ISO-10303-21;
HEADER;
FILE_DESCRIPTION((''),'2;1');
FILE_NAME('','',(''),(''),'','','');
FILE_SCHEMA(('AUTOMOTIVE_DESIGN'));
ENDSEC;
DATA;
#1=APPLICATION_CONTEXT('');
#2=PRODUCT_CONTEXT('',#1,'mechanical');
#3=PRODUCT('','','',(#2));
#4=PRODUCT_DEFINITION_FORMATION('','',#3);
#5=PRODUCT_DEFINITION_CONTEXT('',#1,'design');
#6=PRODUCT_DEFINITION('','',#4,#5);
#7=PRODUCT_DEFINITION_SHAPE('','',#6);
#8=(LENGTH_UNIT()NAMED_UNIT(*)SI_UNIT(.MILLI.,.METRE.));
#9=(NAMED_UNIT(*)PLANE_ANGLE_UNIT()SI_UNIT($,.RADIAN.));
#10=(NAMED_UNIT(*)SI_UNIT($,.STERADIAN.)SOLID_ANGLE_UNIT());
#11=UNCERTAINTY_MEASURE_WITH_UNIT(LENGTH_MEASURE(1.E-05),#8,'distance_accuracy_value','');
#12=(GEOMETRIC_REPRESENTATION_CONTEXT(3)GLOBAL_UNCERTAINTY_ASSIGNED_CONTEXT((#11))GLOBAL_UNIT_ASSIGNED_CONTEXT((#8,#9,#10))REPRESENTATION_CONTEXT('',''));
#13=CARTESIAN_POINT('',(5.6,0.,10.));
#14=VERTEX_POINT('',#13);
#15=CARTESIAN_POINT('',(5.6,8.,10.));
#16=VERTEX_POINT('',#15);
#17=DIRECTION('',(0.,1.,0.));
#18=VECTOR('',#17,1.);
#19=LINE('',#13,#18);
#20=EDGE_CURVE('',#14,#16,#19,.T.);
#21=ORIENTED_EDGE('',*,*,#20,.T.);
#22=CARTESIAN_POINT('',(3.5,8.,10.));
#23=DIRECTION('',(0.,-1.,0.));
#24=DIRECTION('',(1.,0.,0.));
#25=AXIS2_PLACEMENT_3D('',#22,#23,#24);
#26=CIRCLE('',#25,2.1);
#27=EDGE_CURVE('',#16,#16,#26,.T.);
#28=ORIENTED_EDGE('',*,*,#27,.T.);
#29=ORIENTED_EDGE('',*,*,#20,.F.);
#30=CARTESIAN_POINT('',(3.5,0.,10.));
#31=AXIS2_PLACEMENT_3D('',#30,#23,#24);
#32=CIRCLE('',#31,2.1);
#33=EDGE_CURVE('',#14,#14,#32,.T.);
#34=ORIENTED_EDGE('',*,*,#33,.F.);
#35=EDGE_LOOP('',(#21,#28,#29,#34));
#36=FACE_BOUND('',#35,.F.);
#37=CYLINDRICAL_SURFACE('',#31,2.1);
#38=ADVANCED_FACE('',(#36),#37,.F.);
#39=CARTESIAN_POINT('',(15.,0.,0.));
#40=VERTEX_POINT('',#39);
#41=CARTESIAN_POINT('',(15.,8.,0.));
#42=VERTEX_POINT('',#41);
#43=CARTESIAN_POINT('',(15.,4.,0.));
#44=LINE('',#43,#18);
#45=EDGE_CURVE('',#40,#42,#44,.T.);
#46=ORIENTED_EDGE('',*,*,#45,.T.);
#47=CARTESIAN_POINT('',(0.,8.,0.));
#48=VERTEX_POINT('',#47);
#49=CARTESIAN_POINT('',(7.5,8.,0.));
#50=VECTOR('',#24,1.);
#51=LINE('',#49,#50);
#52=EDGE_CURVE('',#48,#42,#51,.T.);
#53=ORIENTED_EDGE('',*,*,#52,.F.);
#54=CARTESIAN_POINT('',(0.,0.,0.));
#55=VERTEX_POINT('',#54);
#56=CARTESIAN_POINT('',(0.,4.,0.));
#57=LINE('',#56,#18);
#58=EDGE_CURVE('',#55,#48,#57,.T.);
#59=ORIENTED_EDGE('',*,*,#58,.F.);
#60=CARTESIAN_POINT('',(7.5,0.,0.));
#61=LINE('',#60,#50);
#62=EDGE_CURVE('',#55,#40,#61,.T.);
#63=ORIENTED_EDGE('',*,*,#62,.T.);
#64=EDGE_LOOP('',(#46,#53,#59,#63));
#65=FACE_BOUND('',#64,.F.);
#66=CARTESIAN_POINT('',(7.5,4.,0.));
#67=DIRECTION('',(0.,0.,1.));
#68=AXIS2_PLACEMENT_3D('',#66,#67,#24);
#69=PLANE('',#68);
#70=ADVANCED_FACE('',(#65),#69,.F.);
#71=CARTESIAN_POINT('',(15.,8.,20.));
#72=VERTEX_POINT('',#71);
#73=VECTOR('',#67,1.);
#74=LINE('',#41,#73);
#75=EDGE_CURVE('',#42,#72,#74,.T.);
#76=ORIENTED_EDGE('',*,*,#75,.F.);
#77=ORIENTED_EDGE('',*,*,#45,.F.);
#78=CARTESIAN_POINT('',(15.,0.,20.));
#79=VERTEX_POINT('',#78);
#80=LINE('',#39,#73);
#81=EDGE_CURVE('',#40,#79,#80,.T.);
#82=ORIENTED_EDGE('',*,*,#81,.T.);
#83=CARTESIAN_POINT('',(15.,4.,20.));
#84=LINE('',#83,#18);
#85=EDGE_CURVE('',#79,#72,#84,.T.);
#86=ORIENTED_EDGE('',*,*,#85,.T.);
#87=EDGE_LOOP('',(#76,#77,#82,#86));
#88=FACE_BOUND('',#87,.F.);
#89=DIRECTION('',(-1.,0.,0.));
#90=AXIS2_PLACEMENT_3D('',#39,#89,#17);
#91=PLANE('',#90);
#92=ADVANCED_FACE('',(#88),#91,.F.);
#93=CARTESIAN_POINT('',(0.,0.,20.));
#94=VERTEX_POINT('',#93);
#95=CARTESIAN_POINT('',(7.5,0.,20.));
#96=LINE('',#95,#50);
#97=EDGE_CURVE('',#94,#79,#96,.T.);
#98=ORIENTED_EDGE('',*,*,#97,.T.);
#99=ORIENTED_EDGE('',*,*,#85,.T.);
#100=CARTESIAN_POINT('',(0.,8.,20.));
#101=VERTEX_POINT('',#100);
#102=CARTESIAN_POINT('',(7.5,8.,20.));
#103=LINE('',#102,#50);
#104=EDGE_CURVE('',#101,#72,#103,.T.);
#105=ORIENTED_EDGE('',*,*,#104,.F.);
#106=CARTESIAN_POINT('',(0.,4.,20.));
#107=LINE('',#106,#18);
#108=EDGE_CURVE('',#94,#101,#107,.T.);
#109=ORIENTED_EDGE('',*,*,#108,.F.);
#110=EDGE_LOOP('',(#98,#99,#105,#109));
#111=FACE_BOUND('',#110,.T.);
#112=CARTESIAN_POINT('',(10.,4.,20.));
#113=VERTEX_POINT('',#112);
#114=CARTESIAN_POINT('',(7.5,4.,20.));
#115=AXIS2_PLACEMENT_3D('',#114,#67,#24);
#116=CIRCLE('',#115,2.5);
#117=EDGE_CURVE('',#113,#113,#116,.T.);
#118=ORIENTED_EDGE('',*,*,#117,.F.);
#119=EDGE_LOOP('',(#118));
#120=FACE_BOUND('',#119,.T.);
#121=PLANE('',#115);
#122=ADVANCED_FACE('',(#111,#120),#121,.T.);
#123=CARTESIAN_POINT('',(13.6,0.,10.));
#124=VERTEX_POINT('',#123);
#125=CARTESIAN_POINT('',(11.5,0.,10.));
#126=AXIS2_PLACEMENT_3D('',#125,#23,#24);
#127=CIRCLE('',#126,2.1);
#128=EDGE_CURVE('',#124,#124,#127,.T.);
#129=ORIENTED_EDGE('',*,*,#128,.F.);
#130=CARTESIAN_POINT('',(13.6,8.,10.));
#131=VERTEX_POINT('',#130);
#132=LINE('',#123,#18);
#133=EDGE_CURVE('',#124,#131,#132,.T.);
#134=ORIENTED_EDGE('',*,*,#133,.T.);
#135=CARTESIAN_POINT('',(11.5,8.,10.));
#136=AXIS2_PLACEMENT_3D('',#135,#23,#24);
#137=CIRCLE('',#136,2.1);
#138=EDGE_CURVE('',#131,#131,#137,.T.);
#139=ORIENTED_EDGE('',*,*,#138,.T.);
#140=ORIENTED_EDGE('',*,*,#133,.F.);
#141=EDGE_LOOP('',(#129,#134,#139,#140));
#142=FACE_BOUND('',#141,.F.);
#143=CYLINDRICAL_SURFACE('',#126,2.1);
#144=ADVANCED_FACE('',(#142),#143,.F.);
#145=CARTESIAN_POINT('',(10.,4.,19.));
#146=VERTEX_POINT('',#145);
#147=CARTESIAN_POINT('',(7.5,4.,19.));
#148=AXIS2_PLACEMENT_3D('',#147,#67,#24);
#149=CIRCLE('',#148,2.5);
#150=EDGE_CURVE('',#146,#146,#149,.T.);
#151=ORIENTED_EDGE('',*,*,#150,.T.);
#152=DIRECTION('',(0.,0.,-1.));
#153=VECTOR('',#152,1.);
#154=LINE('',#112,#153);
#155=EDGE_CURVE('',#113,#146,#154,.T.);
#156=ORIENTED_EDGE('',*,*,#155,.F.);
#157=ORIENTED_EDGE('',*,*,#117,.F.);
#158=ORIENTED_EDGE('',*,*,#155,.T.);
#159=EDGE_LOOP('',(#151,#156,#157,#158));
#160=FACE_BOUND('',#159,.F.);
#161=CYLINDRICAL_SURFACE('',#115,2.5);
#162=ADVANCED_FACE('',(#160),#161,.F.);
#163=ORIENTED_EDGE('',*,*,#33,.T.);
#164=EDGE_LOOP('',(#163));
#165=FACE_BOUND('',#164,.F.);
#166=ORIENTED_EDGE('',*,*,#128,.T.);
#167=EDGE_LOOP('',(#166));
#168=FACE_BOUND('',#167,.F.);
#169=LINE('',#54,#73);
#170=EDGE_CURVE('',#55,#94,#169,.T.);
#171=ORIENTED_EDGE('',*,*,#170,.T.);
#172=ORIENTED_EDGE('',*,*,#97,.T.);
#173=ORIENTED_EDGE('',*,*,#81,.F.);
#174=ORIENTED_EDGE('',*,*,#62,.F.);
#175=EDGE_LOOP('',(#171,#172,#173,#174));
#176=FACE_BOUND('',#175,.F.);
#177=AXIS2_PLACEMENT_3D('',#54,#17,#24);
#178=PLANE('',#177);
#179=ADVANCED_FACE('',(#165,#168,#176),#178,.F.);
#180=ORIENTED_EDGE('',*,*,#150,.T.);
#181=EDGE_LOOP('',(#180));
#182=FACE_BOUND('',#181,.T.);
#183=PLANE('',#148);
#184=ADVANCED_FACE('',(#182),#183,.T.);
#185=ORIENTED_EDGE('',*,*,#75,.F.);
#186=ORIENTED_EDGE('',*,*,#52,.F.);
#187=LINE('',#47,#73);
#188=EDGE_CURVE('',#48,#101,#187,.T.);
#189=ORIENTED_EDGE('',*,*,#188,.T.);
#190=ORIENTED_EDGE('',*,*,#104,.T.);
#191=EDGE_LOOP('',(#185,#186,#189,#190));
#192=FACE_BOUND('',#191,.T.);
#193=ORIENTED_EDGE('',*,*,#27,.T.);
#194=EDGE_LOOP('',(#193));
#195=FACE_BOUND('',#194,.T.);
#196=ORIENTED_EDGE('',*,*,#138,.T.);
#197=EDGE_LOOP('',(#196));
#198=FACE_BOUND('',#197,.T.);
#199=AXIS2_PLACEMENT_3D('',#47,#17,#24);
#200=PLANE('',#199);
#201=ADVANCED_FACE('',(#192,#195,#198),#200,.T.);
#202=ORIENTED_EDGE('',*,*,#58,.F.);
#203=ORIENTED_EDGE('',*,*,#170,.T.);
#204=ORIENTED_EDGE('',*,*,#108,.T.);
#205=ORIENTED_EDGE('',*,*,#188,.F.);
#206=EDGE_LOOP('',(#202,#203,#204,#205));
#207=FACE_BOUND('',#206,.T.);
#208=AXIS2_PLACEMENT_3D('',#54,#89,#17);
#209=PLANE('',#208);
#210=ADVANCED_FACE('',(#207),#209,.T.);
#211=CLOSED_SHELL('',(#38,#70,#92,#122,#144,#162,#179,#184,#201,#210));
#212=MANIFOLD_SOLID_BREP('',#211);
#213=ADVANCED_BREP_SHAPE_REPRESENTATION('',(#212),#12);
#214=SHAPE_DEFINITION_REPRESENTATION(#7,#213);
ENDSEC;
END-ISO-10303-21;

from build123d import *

# Parameters (mm, degrees)
F0_W     = 15
F0_H     = 8
F1_DEPTH = 20
F2_R     = 2.1
F3_DEPTH = 25
F4_R     = 2.5
F5_DEPTH = 1


with BuildPart() as f1:
    # F0 (on Top) → F1 (new body)
    with BuildSketch(Plane.XY):
        with Locations((7.5, 4)):
            Rectangle(F0_W, F0_H)
    extrude(amount=F1_DEPTH)

    # F2 (on face) → F3 (cut)
    with BuildSketch(Plane.XZ):
        with Locations((3.5, 10)):
            Circle(F2_R)
        with Locations((11.5, 10)):
            Circle(F2_R)
    extrude(amount=-F3_DEPTH, mode=Mode.SUBTRACT)

    # F4 (on face) → F5 (cut)
    with BuildSketch(Plane.XY.offset(20)):
        with Locations((7.5, 4)):
            Circle(F4_R)
    extrude(amount=-F5_DEPTH, mode=Mode.SUBTRACT)


solid = f1.part
